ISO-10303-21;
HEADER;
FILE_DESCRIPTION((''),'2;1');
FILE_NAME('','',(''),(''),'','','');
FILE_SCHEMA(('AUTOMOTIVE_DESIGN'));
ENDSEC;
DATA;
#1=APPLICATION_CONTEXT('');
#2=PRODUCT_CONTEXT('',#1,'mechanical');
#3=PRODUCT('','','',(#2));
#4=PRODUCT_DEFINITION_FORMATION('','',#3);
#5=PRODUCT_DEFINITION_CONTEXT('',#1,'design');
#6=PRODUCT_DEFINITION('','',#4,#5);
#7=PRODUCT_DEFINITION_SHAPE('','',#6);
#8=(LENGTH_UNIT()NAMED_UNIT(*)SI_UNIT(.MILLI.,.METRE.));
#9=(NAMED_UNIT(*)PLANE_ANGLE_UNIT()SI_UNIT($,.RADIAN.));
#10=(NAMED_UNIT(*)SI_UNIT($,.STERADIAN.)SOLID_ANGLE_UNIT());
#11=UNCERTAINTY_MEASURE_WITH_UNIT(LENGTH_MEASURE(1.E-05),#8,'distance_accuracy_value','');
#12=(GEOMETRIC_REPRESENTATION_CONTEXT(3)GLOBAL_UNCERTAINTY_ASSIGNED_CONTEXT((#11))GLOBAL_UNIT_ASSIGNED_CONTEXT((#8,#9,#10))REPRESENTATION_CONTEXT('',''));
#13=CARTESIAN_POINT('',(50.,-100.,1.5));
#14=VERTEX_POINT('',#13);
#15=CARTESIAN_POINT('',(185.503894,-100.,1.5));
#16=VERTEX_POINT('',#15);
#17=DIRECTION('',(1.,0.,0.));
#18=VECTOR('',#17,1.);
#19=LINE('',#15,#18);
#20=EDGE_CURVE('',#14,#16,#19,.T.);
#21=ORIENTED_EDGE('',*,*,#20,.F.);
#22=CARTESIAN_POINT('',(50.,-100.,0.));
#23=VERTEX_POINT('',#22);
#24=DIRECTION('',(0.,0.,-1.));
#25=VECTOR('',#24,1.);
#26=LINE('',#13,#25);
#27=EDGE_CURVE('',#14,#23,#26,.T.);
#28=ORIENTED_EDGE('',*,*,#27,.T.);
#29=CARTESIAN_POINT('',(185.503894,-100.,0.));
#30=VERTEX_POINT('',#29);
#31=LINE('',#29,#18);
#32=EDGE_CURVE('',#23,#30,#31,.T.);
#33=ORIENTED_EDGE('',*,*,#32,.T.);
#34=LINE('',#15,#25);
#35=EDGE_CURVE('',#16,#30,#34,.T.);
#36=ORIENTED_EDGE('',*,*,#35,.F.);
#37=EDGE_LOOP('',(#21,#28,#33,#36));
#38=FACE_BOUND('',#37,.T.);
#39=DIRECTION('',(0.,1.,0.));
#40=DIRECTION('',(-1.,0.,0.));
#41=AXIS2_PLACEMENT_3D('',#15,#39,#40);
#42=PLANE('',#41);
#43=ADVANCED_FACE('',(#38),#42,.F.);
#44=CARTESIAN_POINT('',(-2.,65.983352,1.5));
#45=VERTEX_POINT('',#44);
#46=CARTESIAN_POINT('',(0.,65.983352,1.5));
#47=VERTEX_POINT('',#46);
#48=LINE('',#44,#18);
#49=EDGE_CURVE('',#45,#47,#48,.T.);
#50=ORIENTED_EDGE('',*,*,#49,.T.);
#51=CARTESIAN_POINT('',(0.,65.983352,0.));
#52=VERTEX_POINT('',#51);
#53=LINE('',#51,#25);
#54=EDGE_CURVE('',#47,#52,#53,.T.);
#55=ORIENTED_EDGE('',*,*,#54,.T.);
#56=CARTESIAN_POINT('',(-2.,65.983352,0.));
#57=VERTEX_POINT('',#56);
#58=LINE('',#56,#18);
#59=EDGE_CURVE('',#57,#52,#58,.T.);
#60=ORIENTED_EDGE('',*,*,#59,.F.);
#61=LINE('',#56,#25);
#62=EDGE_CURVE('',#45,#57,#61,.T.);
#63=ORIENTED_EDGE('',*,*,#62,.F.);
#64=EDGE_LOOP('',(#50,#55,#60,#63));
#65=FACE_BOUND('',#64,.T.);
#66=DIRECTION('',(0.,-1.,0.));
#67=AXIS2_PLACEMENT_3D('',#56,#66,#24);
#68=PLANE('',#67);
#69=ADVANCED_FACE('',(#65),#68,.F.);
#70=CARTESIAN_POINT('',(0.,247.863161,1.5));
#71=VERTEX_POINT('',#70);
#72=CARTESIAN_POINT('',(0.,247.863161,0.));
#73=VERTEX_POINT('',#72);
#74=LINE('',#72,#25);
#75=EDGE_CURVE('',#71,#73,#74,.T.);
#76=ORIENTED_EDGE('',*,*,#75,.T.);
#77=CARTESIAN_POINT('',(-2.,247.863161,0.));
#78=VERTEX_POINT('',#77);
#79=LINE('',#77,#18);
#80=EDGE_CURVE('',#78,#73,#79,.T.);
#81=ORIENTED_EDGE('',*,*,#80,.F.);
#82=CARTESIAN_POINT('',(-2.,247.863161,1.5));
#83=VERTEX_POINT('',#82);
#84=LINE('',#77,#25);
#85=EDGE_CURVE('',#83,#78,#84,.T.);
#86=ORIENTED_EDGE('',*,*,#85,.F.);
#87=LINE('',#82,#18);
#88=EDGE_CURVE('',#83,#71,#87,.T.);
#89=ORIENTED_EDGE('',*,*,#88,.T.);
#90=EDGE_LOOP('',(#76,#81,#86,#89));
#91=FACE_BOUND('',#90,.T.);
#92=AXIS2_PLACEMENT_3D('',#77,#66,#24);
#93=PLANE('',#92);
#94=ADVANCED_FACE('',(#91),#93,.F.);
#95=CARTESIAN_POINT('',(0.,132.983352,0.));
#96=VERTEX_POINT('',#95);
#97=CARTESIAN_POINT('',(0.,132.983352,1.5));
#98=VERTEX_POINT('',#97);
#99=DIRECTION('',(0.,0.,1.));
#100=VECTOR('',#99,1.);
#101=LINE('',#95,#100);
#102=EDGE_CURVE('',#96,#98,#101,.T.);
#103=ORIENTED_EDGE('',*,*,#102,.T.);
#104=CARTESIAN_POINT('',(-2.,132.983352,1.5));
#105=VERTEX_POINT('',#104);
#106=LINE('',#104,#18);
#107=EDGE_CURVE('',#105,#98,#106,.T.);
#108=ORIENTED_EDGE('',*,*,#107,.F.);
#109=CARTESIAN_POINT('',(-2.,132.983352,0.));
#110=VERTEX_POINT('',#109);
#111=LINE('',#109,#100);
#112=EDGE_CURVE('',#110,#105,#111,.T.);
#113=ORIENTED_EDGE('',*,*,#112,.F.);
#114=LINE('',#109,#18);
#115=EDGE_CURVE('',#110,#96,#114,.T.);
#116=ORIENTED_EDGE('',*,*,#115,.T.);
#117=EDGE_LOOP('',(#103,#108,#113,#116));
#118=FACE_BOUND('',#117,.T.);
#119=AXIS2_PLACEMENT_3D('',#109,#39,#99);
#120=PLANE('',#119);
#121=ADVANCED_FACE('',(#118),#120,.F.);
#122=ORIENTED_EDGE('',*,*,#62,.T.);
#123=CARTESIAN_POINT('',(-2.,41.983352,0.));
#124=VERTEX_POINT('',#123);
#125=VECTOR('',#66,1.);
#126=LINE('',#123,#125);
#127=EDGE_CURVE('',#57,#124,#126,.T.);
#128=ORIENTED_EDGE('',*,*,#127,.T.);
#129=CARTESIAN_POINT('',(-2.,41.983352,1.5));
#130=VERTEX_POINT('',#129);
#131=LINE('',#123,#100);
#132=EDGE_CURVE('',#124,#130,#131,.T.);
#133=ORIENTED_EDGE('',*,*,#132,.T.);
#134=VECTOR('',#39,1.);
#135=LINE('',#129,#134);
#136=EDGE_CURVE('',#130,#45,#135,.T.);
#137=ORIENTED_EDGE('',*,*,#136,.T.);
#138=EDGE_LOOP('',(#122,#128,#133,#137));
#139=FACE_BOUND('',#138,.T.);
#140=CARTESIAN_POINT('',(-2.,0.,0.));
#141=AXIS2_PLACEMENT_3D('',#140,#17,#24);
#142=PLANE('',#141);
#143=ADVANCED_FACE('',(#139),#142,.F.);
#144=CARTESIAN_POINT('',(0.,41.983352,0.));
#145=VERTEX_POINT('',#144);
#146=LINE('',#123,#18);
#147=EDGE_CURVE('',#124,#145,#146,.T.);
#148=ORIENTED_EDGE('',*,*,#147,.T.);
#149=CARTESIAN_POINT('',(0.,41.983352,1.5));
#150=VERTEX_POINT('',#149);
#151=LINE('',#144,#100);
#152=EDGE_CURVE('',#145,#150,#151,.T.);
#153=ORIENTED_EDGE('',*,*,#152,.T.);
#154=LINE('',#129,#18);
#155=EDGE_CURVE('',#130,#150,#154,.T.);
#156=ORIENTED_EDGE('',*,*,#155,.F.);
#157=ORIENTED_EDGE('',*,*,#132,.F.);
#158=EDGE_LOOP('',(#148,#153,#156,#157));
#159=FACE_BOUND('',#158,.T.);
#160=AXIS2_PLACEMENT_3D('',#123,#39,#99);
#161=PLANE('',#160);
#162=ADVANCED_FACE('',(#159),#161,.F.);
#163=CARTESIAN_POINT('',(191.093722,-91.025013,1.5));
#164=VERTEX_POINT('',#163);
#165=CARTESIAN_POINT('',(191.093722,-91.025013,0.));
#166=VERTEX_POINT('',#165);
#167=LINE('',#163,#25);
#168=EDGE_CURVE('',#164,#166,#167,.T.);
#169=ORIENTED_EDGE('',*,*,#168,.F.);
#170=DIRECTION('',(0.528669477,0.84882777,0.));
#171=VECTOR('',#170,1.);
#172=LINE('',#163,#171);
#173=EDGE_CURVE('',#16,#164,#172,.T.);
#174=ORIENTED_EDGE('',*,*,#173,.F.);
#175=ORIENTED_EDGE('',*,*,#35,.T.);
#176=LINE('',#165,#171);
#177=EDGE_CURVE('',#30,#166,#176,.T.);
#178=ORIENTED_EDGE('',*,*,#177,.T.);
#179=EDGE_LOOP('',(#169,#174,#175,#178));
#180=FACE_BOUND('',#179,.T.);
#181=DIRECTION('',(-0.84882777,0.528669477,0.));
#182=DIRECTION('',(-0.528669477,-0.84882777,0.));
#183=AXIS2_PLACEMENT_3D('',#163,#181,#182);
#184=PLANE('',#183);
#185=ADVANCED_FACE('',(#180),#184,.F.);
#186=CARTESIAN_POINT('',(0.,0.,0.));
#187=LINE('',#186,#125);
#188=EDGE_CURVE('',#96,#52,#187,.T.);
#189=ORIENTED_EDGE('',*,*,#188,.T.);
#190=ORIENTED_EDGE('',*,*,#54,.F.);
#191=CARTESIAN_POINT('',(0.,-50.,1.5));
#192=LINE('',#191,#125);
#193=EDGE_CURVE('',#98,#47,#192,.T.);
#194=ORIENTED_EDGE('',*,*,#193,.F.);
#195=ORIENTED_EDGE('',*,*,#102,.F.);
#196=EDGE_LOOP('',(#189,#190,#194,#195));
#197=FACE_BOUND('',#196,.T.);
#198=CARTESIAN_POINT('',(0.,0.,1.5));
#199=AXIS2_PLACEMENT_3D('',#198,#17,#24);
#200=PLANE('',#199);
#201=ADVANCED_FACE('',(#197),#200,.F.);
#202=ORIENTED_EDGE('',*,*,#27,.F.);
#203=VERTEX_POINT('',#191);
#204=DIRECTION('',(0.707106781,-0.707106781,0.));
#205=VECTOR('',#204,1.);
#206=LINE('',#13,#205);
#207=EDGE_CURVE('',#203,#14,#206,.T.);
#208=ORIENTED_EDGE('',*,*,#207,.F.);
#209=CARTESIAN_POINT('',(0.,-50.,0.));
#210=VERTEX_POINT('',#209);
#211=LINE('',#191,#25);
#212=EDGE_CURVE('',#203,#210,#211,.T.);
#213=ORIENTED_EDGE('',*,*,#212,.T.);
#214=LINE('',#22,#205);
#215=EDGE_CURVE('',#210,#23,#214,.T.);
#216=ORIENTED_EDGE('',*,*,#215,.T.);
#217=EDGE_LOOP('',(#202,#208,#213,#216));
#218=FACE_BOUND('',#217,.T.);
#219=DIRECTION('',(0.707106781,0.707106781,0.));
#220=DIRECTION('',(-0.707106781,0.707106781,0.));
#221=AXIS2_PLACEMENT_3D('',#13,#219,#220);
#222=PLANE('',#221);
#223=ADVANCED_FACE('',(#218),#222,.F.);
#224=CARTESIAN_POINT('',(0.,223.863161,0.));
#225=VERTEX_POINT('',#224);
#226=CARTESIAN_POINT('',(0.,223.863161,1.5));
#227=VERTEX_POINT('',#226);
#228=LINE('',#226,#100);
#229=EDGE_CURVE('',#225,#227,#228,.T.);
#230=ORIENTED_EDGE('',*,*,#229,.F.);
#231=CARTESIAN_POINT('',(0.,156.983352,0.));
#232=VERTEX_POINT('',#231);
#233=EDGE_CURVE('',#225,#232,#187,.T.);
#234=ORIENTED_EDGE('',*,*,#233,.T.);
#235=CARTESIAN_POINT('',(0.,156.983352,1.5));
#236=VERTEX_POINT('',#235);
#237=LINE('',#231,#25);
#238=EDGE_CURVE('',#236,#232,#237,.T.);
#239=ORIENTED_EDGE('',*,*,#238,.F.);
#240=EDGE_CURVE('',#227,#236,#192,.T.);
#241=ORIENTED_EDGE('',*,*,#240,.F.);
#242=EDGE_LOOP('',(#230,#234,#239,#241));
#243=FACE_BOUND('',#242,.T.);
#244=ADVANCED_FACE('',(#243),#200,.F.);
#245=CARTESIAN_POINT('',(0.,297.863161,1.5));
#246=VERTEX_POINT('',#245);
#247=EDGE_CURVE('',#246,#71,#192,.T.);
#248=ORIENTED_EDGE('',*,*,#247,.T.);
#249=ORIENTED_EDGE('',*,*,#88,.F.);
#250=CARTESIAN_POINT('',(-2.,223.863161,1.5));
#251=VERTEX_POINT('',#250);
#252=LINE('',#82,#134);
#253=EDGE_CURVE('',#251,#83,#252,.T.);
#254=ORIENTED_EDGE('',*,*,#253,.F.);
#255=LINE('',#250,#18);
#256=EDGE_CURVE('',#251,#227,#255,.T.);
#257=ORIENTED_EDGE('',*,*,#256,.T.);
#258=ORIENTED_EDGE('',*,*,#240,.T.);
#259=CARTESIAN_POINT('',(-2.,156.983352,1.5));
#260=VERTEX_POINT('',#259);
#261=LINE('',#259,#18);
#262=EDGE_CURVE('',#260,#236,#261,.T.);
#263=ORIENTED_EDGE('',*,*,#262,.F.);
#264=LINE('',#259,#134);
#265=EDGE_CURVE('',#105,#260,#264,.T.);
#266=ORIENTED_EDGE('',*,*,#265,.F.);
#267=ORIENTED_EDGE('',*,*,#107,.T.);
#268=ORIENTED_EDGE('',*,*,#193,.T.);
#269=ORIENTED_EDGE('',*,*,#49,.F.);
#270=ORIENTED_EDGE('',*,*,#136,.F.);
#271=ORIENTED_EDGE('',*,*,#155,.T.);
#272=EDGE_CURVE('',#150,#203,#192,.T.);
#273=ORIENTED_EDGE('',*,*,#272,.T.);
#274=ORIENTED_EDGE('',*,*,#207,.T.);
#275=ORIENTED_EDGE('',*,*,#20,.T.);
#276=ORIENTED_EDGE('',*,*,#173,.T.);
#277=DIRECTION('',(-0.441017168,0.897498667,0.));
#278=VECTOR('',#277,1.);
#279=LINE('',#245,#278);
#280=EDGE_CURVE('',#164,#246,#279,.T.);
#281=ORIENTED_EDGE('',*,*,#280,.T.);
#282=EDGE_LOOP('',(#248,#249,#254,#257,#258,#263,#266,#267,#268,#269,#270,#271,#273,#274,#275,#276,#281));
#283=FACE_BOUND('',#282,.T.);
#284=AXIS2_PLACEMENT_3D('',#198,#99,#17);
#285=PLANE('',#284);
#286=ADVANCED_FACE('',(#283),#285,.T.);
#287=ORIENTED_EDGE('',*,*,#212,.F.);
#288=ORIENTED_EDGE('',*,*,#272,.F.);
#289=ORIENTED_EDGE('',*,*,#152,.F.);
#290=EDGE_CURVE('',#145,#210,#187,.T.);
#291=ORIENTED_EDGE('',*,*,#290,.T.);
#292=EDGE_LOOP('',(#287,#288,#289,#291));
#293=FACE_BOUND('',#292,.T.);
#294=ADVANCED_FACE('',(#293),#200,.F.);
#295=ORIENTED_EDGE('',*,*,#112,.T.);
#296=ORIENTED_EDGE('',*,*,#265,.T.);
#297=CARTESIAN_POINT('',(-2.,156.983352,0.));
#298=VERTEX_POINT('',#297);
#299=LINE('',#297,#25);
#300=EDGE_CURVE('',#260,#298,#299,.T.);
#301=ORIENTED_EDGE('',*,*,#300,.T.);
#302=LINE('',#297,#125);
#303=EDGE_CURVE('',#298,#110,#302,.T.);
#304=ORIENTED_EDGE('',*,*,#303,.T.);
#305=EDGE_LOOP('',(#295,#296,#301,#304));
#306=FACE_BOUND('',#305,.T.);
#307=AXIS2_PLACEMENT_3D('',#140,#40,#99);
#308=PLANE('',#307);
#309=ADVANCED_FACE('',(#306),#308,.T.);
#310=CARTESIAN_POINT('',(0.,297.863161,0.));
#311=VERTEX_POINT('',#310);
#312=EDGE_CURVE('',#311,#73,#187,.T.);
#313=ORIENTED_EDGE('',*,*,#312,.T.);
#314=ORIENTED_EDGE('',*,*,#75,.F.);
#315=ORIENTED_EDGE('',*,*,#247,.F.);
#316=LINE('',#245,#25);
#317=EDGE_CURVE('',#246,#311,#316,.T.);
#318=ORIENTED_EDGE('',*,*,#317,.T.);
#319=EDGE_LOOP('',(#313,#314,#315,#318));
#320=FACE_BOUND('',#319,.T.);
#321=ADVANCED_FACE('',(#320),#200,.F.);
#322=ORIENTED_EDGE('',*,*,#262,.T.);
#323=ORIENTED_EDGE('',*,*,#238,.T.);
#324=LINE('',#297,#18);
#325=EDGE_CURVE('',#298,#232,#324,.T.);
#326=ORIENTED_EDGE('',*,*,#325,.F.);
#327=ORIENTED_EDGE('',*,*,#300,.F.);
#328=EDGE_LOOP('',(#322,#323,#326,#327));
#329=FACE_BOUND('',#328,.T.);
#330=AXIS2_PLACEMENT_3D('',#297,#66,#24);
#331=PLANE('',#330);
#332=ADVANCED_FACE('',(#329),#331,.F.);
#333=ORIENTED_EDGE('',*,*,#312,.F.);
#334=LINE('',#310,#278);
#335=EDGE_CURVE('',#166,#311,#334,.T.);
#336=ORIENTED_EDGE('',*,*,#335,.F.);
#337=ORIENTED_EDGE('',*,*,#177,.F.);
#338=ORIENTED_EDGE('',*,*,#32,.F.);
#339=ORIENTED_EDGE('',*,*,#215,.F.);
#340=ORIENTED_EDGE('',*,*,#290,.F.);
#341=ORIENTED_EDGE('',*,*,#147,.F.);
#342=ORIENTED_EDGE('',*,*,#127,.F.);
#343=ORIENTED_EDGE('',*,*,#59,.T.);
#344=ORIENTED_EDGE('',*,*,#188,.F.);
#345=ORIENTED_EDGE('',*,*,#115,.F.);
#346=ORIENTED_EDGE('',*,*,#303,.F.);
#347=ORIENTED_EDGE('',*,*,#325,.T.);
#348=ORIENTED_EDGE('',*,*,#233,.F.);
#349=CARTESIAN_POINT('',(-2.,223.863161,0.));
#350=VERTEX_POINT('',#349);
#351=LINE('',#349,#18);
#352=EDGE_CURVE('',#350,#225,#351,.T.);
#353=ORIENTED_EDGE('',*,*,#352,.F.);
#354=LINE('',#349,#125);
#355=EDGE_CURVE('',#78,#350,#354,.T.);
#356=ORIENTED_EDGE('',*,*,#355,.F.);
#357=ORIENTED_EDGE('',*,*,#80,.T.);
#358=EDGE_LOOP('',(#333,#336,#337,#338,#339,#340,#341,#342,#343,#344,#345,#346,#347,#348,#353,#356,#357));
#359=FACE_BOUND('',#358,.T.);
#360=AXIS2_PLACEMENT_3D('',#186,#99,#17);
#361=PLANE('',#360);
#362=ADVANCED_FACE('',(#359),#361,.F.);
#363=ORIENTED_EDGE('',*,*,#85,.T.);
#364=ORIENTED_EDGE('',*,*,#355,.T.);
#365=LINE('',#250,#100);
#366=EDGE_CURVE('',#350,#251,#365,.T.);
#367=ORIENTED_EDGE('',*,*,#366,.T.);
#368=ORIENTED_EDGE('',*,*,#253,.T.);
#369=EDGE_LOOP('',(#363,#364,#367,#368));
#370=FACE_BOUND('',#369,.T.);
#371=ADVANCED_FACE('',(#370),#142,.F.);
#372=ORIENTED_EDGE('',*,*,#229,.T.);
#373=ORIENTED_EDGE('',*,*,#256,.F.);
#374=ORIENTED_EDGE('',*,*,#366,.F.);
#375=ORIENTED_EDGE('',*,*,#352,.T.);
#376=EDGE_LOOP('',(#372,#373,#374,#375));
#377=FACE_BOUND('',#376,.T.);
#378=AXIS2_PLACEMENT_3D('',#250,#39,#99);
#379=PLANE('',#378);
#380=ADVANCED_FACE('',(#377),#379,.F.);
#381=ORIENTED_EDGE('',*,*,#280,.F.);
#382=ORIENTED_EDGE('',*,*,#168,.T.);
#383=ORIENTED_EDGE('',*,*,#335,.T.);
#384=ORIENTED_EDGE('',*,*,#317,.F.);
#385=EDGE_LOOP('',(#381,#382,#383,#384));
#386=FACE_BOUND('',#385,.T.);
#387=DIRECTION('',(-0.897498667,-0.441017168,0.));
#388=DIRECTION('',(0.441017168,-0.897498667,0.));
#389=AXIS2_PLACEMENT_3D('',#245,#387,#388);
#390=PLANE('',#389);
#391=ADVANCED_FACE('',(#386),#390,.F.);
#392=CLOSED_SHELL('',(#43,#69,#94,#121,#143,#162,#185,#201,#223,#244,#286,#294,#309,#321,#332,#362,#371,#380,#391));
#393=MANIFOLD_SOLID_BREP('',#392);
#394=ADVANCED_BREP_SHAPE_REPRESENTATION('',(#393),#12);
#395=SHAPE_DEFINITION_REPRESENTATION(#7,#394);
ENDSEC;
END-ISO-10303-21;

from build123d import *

# Parameters (mm, degrees)
BOSS_EXTRUDE1_DEPTH = 1.5
SKETCH7_W           = 1.5
SKETCH7_H           = 24
BOSS_EXTRUDE3_DEPTH = 2


with BuildPart() as part:
    # Sketch1 → Boss-Extrude1 (new body)
    with BuildSketch(Plane.XY):
        Polygon((0, 0), (0, 297.863160558), (191.093722223, -91.025013327), (185.5038939, -100), (50, -100), (0, -50), align=None)
    extrude(amount=BOSS_EXTRUDE1_DEPTH)

    # Sketch7 → Boss-Extrude3 (add)
    with BuildSketch(Plane.ZY):
        with Locations((0.75, 235.863160558)):
            Rectangle(SKETCH7_W, SKETCH7_H)
        with Locations((0.75, 144.983352075)):
            Rectangle(SKETCH7_W, SKETCH7_H)
        with Locations((0.75, 53.983352075)):
            Rectangle(SKETCH7_W, SKETCH7_H)
    extrude(amount=BOSS_EXTRUDE3_DEPTH)


solid = part.part
